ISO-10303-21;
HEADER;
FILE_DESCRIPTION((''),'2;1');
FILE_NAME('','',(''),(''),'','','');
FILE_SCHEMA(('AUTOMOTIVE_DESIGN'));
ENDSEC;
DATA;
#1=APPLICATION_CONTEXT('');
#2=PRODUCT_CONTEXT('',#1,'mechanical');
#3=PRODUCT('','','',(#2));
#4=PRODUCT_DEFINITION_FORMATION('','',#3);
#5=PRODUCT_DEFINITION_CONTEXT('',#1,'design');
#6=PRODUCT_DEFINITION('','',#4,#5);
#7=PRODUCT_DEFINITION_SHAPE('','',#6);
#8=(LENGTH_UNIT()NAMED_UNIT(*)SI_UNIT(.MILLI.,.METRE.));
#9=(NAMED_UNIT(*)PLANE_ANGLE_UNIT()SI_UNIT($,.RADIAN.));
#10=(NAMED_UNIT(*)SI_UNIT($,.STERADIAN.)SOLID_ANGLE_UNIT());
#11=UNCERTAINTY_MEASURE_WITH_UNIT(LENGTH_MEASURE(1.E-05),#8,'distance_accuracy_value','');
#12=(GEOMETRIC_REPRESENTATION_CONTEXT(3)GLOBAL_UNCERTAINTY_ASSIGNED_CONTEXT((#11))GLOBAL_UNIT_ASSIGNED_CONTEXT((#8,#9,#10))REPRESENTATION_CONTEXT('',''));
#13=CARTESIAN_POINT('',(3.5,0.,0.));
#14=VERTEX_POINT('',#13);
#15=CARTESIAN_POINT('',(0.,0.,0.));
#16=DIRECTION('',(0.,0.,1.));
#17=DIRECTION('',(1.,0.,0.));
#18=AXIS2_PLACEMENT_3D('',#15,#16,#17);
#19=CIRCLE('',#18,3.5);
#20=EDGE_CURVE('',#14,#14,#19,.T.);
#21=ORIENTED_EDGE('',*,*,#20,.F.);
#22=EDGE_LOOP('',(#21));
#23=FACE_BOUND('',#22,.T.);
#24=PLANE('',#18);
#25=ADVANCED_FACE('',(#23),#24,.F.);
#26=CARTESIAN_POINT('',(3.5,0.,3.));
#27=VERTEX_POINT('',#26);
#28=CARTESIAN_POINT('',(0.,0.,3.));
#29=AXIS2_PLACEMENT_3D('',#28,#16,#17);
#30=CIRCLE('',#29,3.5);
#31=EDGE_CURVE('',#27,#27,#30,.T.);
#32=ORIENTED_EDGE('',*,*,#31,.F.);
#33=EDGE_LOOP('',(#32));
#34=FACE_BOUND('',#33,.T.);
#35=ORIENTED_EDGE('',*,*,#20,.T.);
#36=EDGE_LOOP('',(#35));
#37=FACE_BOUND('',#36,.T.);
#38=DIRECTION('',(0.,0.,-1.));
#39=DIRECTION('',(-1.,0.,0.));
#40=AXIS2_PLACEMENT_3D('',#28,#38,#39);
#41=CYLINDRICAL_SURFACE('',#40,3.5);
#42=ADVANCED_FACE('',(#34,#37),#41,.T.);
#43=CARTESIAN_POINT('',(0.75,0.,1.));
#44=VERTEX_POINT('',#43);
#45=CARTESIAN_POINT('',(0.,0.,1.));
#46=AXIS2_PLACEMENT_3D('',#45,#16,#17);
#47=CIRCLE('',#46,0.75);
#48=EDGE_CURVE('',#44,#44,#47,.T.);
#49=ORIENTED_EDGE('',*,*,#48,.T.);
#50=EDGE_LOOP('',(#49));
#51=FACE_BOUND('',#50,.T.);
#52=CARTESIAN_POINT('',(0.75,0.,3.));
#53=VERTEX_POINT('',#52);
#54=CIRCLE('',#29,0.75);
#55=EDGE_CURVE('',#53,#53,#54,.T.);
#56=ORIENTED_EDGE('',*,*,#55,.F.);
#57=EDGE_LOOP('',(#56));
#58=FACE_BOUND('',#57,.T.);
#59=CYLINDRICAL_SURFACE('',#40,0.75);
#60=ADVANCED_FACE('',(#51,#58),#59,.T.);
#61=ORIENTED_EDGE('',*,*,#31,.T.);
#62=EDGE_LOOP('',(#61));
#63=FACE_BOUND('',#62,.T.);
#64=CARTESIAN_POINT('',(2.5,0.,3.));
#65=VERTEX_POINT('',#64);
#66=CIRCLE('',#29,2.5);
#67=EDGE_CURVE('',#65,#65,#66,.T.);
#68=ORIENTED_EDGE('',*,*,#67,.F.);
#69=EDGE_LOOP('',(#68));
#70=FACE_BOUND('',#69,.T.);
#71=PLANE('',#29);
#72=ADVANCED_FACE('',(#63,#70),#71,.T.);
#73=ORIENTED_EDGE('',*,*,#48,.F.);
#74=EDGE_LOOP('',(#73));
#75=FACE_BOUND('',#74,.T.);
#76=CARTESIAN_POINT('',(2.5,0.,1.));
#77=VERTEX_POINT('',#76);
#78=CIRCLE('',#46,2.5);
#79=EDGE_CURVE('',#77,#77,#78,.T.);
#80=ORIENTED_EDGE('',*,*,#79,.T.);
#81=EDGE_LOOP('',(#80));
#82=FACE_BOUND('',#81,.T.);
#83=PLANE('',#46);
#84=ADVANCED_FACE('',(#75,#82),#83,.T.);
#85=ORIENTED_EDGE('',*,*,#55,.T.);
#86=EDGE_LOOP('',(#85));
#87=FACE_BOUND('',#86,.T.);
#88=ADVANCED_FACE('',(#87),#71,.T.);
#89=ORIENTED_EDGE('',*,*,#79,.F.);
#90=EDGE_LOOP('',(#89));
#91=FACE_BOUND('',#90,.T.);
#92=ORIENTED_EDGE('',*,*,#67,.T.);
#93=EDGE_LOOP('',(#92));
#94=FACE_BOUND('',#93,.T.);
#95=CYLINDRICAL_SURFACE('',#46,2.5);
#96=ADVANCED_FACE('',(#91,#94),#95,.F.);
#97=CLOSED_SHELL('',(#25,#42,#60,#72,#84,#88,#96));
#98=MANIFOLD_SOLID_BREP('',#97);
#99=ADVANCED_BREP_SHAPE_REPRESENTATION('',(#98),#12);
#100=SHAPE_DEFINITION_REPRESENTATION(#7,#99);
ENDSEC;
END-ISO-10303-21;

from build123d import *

# Parameters (mm, degrees)
CROQUIS1_R              = 3.5
SALIENTE_EXTRUIR1_DEPTH = 3
CROQUIS2_R              = 2.5
CORTAR_EXTRUIR1_DEPTH   = 2
CROQUIS3_R              = 0.75
SALIENTE_EXTRUIR2_DEPTH = 2


with BuildPart() as part:
    # Croquis1 → Saliente-Extruir1 (new body)
    with BuildSketch(Plane.XY):
        Circle(CROQUIS1_R)
    extrude(amount=SALIENTE_EXTRUIR1_DEPTH)

    # Croquis2 → Cortar-Extruir1 (cut)
    with BuildSketch(Plane.XY.offset(3)):
        Circle(CROQUIS2_R)
    extrude(amount=-CORTAR_EXTRUIR1_DEPTH, mode=Mode.SUBTRACT)

    # Croquis3 → Saliente-Extruir2 (add)
    with BuildSketch(Plane.XY.offset(1)):
        Circle(CROQUIS3_R)
    extrude(amount=SALIENTE_EXTRUIR2_DEPTH)


solid = part.part
